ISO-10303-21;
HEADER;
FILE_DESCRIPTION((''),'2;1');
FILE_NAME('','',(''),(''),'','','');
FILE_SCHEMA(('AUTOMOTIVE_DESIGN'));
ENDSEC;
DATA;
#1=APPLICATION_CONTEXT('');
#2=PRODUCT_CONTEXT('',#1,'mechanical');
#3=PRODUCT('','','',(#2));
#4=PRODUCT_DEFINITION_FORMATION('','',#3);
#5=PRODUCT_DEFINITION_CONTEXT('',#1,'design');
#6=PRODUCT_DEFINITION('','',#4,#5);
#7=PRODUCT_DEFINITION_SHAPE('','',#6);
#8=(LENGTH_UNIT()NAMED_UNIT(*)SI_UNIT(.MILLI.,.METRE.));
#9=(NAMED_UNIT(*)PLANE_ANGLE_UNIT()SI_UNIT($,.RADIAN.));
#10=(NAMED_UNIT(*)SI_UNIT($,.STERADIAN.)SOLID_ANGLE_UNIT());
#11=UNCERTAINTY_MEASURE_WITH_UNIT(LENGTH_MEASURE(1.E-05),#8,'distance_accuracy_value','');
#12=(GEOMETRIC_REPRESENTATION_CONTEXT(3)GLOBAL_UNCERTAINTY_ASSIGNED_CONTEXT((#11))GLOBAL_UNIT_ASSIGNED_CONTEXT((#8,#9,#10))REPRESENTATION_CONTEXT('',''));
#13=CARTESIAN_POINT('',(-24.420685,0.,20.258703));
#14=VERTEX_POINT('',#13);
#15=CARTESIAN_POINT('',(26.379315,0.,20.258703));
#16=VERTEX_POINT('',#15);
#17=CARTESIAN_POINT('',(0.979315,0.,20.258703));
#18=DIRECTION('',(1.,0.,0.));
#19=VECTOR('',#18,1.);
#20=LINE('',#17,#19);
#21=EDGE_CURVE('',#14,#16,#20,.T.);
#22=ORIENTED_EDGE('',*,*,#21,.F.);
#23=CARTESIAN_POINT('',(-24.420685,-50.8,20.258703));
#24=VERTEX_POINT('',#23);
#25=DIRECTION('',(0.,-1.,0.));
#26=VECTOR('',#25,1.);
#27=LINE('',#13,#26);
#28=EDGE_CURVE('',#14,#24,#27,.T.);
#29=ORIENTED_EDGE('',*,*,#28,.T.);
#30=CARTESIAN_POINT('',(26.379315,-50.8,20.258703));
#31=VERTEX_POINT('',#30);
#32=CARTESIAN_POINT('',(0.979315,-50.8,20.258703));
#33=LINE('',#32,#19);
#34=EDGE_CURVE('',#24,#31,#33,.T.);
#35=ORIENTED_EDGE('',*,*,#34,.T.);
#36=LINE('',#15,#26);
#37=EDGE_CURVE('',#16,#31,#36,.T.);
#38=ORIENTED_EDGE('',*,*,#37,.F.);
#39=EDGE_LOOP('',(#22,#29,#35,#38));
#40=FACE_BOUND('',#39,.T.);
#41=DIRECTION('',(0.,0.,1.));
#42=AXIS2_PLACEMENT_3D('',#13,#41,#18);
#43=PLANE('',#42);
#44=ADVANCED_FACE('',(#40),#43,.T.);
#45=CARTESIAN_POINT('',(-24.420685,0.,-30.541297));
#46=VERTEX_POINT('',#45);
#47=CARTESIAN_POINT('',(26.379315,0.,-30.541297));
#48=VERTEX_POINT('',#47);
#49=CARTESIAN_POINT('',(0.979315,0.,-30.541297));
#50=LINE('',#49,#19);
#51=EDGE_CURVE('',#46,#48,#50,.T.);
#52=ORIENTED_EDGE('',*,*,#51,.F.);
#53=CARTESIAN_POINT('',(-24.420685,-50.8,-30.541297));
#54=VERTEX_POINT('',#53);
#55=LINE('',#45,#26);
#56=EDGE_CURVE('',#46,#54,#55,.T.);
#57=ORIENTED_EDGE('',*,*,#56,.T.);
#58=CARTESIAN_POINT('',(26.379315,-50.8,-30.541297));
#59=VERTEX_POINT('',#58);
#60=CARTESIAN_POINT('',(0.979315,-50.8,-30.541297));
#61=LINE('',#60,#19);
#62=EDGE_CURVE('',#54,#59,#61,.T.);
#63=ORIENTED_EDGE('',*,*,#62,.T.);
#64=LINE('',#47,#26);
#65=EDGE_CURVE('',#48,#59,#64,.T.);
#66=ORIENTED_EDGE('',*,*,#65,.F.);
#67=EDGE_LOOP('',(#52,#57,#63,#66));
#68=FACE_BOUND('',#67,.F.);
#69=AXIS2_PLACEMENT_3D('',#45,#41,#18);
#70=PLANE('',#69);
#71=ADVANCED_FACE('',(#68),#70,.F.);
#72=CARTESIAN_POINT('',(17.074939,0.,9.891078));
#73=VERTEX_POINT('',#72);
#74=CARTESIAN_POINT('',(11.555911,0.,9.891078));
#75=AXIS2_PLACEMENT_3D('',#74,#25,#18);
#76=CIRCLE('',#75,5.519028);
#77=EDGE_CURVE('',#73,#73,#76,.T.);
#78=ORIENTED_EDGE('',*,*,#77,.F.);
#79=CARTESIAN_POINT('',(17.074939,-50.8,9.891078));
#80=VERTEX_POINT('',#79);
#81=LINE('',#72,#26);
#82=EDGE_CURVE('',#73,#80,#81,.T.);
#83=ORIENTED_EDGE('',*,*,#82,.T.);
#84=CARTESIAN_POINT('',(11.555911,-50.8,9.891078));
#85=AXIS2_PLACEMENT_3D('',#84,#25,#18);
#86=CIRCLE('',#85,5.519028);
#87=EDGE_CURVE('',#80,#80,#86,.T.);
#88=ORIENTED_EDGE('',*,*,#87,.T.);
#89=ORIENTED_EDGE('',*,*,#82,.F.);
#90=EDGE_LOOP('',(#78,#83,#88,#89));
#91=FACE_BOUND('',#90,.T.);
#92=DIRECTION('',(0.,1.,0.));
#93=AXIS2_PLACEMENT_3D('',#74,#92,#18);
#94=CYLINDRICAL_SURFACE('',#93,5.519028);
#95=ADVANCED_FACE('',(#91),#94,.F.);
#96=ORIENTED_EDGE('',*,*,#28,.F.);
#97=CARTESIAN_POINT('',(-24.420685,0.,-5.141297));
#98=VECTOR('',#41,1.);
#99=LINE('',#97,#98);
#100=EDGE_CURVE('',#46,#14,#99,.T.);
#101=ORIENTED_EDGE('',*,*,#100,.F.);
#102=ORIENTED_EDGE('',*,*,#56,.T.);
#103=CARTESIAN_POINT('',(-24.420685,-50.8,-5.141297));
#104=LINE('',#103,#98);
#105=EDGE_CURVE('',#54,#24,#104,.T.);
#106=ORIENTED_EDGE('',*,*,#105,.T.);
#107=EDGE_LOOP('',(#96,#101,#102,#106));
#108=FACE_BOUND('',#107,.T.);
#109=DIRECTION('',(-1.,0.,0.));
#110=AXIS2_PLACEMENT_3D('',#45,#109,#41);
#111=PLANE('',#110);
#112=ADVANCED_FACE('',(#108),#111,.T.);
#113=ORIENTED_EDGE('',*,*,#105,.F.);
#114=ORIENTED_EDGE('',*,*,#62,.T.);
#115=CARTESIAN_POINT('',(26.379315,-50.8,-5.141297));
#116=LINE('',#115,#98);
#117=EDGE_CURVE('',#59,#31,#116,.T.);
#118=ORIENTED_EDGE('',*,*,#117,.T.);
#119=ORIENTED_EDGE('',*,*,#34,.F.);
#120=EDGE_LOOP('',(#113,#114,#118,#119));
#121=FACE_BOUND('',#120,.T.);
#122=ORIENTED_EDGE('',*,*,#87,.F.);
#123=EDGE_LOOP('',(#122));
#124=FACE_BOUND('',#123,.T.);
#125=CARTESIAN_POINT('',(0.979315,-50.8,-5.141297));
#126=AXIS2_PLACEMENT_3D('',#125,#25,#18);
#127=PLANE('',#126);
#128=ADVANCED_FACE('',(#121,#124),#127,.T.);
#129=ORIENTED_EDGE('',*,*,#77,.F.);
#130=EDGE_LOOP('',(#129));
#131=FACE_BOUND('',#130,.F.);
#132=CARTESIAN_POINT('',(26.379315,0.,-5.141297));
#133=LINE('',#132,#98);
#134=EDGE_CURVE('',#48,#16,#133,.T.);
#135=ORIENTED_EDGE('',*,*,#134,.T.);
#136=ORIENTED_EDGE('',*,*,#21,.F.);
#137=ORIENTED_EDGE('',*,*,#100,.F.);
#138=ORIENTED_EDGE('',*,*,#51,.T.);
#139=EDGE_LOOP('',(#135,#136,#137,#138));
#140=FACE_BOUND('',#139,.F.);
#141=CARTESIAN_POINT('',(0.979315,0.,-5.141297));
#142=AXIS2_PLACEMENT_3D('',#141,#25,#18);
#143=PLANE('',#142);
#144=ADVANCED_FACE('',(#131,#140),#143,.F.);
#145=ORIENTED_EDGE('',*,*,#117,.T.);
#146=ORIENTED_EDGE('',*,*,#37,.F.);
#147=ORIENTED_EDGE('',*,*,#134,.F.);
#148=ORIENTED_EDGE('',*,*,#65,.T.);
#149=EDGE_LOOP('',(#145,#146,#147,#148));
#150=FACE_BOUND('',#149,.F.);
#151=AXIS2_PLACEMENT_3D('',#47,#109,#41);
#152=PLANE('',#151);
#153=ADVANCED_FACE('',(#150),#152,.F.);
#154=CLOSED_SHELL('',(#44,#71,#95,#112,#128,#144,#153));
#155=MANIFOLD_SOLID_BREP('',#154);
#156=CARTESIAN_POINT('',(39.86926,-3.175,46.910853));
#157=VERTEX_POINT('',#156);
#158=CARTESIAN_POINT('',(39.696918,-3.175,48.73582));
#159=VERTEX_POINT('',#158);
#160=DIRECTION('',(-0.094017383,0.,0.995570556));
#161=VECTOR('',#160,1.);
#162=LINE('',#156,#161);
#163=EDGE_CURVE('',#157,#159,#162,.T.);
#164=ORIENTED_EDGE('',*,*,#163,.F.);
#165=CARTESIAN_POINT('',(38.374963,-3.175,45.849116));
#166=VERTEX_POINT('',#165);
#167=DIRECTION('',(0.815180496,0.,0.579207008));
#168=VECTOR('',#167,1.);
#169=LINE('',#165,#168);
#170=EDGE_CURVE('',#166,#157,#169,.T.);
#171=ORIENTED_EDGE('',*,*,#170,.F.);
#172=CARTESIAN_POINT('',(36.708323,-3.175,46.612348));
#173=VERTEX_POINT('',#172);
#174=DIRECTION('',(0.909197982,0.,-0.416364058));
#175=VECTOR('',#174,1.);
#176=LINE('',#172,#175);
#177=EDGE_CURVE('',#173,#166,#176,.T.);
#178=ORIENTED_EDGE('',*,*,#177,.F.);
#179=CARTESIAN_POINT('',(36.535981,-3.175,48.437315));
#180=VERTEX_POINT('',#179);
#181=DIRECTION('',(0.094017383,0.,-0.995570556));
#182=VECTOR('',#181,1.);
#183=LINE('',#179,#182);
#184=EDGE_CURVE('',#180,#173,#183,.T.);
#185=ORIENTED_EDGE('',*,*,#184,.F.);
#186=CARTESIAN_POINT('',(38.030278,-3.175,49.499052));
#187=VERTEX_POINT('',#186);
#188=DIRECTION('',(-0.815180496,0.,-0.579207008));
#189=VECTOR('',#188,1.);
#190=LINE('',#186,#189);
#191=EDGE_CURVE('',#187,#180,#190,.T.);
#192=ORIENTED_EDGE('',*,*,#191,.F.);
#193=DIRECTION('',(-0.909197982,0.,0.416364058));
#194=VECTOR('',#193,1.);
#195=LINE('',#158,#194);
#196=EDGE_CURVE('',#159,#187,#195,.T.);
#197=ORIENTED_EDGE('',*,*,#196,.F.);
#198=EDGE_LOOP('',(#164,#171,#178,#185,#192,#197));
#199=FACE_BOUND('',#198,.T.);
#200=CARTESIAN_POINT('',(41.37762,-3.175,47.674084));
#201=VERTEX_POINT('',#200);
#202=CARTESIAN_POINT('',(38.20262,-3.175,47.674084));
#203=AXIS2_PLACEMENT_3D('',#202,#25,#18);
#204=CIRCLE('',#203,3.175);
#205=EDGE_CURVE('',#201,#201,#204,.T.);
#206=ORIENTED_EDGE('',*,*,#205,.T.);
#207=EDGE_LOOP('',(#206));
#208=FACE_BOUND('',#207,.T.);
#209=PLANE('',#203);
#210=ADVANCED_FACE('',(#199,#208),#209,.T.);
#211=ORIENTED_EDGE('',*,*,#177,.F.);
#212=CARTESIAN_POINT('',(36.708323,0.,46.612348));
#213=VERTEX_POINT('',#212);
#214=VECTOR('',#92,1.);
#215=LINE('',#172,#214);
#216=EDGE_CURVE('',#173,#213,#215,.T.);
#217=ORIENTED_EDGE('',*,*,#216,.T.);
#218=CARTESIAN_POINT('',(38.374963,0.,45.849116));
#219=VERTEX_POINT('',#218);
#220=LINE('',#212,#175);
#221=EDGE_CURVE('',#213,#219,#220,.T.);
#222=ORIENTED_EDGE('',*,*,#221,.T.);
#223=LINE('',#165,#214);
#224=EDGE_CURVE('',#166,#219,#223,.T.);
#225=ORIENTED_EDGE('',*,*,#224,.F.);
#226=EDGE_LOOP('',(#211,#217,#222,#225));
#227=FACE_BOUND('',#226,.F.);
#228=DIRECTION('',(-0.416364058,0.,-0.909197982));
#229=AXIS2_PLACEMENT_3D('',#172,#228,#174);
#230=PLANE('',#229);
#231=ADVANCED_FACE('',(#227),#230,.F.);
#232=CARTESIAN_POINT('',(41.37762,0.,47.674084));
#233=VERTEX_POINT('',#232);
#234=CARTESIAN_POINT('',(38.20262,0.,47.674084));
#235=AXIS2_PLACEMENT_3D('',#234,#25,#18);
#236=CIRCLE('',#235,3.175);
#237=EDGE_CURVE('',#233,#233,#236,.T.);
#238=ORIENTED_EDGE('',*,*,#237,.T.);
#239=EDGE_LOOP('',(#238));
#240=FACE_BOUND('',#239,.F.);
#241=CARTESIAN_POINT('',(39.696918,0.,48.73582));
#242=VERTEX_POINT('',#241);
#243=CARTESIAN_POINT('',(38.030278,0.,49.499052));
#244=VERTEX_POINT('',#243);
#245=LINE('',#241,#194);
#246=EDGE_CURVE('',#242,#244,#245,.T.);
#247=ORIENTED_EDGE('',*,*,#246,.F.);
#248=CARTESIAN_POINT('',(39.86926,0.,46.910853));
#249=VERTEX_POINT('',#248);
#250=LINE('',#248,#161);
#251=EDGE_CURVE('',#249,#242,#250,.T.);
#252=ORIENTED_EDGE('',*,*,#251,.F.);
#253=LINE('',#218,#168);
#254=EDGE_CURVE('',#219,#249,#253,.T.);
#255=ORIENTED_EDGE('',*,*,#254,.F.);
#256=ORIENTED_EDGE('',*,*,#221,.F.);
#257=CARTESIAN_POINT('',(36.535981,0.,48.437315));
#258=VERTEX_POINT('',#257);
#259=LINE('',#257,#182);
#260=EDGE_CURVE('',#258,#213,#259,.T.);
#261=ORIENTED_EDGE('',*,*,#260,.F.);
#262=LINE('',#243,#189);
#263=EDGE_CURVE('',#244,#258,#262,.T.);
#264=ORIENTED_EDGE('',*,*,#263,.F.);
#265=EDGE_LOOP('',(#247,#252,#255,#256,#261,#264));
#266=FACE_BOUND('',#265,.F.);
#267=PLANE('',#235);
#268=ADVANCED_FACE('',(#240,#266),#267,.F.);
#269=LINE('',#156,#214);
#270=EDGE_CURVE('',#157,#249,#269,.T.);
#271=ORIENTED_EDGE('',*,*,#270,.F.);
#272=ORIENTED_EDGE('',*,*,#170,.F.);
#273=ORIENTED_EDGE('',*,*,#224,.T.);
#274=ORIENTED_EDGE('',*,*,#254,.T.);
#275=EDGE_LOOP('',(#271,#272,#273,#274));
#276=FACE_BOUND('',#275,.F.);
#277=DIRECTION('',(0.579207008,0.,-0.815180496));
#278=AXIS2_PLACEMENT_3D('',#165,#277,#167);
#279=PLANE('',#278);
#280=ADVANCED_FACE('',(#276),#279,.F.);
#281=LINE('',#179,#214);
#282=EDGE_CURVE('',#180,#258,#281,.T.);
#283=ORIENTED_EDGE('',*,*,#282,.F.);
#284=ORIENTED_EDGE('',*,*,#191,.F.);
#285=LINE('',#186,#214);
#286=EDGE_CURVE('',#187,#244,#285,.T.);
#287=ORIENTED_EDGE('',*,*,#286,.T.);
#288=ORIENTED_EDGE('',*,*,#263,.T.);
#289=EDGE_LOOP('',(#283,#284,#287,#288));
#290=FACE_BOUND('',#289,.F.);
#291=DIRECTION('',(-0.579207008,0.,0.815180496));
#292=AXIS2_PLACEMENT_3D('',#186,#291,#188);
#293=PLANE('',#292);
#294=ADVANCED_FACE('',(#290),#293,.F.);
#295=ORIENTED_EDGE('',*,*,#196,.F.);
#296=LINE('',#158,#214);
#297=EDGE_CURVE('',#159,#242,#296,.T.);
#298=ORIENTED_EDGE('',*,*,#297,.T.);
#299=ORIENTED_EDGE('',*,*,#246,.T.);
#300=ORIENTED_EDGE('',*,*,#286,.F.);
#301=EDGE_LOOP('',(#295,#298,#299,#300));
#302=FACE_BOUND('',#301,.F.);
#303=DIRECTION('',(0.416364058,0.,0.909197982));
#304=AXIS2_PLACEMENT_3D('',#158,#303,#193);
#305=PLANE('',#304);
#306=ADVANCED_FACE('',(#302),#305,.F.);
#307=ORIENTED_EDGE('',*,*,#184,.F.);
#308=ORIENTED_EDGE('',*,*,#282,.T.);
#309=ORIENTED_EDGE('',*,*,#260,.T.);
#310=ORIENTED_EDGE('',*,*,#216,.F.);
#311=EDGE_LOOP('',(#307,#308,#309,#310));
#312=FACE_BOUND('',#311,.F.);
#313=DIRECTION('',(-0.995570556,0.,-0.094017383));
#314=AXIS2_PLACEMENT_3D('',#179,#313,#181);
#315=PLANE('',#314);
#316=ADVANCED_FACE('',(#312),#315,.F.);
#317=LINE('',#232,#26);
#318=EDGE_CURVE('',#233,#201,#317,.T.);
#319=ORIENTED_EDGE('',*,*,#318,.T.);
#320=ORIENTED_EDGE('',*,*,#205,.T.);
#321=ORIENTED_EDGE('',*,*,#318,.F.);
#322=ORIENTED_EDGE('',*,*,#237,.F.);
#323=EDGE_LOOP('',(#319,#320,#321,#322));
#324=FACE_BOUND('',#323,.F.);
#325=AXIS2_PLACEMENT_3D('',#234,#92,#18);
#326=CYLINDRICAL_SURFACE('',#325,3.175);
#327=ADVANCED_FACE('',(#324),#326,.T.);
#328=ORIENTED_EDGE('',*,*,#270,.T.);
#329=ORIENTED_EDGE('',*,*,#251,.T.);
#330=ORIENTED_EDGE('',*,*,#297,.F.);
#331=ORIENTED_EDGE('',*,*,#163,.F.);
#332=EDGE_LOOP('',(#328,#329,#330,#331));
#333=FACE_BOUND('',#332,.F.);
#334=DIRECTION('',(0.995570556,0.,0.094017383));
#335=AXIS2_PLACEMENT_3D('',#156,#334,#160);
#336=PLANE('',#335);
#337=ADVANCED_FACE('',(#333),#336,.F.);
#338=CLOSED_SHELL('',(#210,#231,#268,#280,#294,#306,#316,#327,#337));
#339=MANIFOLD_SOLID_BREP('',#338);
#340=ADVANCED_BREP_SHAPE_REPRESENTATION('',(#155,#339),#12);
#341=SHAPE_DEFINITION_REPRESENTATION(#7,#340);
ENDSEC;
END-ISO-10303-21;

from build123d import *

# Parameters (mm, degrees)
F0_W     = 50.8
F0_H     = 50.8
F1_DEPTH = 50.8
F2_R     = 5.519028
F3_DEPTH = 50.8
F4_R     = 3.175
F5_DEPTH = 3.175
F7_DEPTH = 3.175


with BuildPart() as f1:
    # F0 (on Front) → F1 (new body)
    with BuildSketch(Plane.XZ):
        with Locations((0.979315, -5.141297)):
            Rectangle(F0_W, F0_H)
    extrude(amount=F1_DEPTH)

    # F2 (on face) → F3 (cut)
    with BuildSketch(Plane.XZ):
        with Locations((11.555911, 9.891078)):
            Circle(F2_R)
    extrude(amount=F3_DEPTH, mode=Mode.SUBTRACT)


with BuildPart() as f5:
    # F4 (on Front) → F5 (new body)
    with BuildSketch(Plane.XZ):
        with Locations((38.20262, 47.674084)):
            Circle(F4_R)
    extrude(amount=F5_DEPTH)

    # F6 (on face) → F7 (cut)
    with BuildSketch(Plane.XZ.offset(3.175)):
        Polygon((38.374963, 45.849116), (39.86926, 46.910853), (39.696918, 48.73582), (38.030278, 49.499052), (36.535981, 48.437315), (36.708323, 46.612348), align=None)
    extrude(amount=-F7_DEPTH, mode=Mode.SUBTRACT)


solid = Compound([f1.part, f5.part])
